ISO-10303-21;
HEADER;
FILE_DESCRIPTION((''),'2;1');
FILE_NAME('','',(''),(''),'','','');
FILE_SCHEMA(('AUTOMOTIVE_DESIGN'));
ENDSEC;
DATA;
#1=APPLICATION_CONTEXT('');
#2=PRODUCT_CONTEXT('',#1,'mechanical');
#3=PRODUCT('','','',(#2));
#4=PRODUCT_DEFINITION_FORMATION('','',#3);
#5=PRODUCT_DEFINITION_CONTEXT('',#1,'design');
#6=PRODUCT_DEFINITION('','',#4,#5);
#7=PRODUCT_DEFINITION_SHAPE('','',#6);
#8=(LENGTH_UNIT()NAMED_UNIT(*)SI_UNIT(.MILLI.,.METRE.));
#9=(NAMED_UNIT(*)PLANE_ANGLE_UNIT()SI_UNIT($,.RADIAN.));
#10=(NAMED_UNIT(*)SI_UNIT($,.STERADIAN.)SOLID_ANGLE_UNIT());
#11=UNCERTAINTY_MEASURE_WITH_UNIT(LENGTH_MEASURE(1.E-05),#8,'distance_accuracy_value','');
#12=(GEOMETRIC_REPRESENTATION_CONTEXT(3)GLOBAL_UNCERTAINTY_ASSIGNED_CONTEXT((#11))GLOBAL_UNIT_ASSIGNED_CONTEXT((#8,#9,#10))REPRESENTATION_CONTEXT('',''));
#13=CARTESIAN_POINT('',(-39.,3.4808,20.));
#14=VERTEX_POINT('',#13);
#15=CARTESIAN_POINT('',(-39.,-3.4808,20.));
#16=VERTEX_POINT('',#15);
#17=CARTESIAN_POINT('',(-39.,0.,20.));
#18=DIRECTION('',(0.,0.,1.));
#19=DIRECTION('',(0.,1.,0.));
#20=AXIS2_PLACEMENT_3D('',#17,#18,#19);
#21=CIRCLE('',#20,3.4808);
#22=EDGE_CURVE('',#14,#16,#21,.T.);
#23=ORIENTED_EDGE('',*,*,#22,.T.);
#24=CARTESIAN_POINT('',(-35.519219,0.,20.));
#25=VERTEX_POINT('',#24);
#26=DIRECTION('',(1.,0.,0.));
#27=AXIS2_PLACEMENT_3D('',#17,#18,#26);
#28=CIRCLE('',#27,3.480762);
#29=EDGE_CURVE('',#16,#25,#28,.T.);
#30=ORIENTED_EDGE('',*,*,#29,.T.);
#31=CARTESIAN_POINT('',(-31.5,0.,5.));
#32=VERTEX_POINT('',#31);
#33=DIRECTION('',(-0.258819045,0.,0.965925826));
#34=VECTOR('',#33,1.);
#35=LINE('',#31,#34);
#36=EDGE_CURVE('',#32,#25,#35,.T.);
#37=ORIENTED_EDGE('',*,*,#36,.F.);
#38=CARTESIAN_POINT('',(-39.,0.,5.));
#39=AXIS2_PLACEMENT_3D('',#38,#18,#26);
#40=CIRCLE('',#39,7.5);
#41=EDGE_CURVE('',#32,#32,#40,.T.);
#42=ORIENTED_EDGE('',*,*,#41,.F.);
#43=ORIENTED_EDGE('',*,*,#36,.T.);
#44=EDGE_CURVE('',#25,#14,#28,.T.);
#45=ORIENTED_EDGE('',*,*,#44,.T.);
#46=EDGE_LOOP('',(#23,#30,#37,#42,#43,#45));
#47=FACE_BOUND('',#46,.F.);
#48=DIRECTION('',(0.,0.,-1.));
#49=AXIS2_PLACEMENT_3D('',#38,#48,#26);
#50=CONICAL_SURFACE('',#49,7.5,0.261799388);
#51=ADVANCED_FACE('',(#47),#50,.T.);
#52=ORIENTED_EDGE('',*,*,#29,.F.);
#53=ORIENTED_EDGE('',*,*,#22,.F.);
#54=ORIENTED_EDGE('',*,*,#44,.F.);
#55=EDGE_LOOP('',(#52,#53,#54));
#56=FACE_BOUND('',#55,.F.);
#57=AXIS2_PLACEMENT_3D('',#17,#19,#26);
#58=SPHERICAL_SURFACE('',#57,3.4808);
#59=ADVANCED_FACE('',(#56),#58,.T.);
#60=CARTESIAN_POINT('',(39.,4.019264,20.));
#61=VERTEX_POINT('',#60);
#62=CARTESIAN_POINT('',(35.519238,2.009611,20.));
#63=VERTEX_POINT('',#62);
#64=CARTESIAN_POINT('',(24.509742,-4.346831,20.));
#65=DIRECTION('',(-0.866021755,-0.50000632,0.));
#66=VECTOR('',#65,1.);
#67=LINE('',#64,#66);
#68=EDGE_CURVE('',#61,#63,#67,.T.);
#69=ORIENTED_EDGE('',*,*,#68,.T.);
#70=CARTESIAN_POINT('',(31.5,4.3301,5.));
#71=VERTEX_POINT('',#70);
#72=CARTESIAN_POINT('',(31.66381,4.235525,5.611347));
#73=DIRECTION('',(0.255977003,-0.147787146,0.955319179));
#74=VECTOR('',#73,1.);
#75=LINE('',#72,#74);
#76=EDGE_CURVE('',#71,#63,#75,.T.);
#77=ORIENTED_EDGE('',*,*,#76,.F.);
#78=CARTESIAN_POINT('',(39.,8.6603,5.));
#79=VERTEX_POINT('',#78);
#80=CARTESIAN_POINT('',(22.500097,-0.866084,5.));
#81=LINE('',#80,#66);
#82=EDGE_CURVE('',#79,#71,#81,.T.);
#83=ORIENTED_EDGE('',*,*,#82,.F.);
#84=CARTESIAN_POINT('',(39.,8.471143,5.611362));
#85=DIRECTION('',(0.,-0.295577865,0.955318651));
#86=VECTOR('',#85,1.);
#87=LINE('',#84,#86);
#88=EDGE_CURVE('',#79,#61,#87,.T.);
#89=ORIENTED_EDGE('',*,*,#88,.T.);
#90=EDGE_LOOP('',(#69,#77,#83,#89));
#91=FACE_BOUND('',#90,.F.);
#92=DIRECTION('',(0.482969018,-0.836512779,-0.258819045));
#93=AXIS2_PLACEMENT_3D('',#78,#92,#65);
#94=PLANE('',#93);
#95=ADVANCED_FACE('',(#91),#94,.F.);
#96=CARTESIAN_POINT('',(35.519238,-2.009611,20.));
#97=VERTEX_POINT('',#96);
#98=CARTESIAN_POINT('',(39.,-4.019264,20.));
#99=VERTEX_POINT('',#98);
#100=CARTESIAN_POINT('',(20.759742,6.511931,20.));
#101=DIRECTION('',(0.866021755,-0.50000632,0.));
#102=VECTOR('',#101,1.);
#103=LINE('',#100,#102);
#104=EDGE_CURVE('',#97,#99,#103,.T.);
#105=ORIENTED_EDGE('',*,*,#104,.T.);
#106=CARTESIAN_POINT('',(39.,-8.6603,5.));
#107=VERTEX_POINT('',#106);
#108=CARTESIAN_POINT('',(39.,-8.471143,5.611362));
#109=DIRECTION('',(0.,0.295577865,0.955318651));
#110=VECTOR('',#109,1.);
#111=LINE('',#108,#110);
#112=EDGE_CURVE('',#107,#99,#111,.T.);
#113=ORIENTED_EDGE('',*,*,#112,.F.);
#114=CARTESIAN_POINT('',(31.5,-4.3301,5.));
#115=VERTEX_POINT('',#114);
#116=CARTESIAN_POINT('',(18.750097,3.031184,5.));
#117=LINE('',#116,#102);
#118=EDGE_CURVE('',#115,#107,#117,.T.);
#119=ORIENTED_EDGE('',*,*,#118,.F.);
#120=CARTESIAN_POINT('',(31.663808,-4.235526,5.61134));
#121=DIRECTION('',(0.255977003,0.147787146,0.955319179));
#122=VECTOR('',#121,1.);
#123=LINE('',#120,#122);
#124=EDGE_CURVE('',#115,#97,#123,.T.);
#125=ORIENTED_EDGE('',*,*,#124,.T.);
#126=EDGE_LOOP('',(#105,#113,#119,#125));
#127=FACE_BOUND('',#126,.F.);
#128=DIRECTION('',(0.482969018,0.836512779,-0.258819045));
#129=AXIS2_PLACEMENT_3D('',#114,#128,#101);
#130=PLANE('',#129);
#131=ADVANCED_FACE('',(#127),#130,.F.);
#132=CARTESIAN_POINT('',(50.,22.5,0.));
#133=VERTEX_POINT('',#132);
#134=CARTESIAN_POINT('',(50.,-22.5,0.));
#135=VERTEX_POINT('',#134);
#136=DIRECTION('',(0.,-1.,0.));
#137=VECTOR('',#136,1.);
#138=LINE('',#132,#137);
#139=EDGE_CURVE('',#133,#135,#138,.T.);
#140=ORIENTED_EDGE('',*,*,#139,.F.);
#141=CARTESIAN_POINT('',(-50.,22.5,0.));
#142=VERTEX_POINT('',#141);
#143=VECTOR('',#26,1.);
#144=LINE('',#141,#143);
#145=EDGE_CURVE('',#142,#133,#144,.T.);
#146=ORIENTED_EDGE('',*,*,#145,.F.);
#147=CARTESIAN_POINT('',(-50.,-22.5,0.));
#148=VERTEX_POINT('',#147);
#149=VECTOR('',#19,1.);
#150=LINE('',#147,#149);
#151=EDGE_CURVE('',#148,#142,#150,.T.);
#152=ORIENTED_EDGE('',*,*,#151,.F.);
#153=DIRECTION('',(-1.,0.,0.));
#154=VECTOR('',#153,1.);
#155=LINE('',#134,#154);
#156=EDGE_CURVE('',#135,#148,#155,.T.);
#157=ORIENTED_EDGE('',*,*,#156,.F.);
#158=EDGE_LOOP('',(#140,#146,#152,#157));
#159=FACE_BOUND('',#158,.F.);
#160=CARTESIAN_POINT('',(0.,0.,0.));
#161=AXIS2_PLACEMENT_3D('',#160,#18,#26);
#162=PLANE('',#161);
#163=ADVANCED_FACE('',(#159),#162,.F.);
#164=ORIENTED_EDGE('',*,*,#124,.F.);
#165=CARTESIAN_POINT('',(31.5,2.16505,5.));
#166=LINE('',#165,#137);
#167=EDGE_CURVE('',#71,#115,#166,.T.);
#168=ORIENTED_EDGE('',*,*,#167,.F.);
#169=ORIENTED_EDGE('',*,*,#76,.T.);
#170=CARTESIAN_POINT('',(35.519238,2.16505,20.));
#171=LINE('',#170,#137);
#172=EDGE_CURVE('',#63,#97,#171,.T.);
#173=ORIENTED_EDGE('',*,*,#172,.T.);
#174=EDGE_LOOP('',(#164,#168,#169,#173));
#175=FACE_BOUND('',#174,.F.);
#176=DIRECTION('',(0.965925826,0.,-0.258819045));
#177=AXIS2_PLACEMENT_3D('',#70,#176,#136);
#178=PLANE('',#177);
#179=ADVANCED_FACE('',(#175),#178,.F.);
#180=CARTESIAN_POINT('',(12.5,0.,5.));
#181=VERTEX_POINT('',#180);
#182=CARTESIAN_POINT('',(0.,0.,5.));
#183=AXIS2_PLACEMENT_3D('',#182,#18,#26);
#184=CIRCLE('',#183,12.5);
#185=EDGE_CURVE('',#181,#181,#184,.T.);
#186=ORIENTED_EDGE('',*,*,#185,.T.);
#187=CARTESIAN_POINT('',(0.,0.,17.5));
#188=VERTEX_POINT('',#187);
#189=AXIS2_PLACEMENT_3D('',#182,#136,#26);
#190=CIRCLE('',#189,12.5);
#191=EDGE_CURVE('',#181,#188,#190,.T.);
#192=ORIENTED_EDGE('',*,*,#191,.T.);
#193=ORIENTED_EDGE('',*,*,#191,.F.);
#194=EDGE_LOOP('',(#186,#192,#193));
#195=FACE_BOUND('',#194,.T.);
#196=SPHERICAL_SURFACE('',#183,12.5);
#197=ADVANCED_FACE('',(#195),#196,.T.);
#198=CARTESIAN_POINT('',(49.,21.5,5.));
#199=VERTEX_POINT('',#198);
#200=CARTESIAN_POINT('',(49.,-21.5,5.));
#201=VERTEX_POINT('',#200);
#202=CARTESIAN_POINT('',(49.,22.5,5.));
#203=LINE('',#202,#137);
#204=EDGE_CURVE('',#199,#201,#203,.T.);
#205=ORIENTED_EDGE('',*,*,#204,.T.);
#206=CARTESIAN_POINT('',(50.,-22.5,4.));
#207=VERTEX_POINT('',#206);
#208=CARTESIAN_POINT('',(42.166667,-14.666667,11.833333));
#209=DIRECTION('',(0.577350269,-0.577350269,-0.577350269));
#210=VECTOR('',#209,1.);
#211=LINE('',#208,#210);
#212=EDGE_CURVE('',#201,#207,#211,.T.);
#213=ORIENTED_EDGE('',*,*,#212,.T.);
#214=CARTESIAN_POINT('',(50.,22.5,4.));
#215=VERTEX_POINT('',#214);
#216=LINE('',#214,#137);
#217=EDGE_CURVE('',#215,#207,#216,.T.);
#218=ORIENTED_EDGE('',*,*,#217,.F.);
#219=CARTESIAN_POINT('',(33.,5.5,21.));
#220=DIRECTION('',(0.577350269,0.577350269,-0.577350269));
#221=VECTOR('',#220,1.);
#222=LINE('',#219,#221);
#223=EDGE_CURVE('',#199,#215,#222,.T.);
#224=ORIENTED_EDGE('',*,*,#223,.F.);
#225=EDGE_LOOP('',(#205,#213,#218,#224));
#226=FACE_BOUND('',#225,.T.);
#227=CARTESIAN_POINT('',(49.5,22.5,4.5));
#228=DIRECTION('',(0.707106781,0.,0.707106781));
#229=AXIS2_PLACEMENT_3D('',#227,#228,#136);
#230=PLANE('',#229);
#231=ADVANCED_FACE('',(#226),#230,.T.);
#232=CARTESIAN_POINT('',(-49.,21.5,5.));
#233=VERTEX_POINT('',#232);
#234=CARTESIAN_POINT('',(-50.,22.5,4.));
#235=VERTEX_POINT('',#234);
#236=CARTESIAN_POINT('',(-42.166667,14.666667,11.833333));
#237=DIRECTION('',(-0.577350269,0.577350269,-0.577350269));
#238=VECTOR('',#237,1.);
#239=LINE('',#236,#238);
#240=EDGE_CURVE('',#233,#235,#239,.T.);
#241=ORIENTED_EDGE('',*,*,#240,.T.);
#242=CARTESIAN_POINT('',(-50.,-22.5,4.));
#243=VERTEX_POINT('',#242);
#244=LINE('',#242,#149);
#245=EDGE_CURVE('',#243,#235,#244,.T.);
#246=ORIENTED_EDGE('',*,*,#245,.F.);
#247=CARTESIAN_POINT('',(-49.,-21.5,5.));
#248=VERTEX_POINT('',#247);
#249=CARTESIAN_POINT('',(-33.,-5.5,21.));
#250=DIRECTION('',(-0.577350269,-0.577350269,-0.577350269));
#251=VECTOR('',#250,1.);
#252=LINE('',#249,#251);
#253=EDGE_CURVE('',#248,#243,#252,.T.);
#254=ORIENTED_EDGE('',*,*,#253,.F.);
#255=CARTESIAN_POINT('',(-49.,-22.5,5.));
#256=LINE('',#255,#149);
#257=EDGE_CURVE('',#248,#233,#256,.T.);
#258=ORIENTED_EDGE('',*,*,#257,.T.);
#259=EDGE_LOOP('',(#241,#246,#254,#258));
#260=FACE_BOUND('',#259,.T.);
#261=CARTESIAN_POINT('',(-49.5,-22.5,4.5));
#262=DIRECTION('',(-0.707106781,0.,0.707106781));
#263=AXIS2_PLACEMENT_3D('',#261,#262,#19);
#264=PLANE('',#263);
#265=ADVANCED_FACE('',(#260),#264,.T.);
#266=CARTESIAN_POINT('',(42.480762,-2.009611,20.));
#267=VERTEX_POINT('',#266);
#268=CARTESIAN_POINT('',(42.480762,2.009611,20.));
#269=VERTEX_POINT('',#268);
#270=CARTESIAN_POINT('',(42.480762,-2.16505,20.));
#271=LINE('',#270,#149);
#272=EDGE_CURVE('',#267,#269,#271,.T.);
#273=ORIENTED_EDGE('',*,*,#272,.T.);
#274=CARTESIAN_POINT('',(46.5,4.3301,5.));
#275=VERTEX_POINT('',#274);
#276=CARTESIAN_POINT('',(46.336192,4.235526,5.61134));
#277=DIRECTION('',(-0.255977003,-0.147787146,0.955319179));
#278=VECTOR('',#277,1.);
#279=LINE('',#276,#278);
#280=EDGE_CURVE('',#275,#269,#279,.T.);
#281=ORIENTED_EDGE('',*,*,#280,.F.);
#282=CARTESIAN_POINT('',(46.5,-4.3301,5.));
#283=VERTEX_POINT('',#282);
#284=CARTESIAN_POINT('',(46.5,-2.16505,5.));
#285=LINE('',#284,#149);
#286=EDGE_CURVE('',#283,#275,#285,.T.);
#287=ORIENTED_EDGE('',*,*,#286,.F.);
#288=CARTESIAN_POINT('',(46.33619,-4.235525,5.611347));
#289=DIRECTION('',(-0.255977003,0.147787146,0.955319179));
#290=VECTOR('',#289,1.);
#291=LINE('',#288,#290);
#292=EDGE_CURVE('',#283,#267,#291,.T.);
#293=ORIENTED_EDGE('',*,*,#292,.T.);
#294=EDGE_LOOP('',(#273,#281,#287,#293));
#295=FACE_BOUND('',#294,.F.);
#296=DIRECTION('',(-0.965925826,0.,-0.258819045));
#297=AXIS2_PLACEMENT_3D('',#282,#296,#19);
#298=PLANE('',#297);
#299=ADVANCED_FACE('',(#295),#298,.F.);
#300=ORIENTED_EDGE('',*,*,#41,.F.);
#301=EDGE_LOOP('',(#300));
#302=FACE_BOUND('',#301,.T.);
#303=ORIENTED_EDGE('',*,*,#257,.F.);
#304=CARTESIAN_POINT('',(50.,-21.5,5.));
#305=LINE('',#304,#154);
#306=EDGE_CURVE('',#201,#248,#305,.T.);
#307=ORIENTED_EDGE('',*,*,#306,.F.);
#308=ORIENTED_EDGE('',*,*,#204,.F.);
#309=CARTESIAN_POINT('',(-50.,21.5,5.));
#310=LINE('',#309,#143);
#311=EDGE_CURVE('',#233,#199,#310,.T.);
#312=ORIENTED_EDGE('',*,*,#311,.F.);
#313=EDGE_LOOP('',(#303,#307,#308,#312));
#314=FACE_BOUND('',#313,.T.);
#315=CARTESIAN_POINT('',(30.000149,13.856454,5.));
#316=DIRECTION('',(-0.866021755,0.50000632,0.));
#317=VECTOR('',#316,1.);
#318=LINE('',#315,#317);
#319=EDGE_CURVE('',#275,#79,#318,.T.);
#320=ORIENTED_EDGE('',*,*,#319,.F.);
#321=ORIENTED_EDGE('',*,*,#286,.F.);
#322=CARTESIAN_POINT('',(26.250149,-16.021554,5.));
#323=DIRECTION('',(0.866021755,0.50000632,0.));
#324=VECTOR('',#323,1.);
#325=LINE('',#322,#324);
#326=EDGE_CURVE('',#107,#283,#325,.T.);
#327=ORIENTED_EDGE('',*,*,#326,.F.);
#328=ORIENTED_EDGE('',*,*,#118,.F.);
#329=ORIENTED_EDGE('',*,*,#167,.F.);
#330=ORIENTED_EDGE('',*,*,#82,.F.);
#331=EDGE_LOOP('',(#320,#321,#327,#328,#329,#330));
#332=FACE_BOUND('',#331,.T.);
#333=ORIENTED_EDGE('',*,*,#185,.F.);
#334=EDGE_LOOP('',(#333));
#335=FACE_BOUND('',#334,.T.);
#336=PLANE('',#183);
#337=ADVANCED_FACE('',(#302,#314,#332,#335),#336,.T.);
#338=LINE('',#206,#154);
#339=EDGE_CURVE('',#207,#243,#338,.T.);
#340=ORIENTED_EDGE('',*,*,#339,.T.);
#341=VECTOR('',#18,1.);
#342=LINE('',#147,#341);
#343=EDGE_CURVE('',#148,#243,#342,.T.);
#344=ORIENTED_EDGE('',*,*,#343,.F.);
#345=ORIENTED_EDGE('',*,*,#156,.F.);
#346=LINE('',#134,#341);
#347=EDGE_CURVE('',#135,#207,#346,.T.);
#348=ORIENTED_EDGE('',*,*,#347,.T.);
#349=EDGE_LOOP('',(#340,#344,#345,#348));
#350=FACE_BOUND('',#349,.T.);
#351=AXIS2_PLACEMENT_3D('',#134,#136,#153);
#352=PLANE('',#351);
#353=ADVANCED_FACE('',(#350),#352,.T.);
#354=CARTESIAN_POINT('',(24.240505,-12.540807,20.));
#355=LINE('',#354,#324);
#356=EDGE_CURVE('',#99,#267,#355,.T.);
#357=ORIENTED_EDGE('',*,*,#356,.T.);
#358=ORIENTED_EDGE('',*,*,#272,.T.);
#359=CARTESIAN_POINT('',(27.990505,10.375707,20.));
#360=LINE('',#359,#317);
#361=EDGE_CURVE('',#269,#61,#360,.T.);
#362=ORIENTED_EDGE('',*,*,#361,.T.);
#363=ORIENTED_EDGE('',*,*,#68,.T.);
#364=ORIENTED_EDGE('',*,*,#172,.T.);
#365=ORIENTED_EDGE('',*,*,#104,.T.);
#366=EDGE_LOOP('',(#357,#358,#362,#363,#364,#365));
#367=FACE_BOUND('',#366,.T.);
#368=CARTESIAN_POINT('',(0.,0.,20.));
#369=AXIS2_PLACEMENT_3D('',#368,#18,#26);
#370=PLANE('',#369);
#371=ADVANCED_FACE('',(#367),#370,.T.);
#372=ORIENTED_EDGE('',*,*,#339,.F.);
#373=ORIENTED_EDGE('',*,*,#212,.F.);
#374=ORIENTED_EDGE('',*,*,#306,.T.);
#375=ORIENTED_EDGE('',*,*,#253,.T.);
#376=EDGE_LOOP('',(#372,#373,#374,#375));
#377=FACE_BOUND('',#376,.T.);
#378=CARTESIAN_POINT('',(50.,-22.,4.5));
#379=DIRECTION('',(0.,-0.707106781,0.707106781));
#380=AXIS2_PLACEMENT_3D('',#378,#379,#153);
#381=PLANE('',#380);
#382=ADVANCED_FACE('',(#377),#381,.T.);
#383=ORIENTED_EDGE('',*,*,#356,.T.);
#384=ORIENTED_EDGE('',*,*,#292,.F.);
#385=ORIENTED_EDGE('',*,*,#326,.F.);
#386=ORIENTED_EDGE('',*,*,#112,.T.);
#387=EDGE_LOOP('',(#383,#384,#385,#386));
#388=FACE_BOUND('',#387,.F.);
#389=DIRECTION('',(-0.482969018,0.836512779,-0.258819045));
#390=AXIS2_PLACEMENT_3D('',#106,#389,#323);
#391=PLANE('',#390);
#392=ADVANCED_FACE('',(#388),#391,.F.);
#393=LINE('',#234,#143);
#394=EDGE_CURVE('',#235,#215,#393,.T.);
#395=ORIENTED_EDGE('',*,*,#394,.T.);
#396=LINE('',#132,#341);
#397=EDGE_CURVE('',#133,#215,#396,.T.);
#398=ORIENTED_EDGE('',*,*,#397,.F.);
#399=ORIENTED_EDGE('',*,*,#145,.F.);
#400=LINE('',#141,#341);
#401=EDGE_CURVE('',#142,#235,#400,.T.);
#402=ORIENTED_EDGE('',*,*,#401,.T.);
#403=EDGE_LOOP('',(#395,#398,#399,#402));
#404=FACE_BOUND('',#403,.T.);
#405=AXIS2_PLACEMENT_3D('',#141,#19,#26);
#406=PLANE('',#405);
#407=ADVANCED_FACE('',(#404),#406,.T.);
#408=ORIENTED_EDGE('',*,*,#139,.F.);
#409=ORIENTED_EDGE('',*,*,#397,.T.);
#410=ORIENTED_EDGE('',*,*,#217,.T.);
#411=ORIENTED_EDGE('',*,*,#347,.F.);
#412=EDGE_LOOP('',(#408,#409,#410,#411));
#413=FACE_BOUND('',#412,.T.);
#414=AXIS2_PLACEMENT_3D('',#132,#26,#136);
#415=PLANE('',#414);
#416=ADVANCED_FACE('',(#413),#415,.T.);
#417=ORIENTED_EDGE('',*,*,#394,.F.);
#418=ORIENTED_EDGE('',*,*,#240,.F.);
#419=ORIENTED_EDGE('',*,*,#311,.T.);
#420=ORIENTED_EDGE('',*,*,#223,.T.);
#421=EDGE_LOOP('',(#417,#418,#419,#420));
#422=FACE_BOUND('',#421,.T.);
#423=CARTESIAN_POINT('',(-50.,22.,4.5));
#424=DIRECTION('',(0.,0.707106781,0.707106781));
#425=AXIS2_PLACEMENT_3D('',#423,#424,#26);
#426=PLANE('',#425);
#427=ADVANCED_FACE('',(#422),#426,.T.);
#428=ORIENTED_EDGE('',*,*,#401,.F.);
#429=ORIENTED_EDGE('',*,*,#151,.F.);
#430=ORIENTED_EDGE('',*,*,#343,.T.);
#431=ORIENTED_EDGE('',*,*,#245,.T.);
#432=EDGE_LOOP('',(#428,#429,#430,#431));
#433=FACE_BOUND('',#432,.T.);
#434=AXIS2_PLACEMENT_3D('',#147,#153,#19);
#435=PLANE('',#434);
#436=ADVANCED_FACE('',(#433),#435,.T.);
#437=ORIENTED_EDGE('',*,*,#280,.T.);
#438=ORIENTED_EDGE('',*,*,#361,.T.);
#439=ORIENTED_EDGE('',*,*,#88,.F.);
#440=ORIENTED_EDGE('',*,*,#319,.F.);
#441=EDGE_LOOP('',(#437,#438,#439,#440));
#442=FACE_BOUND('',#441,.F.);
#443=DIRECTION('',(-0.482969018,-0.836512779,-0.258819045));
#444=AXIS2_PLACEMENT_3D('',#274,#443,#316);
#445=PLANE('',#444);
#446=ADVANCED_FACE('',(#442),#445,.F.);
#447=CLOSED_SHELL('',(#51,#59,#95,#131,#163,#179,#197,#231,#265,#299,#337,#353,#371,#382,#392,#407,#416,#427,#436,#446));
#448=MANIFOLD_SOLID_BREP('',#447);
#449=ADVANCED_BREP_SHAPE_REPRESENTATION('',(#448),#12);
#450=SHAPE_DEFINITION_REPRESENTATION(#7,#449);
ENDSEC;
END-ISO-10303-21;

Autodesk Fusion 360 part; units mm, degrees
sketch "Sketch1" plane through (0, 0, 0) normal (0, 0, 1) x (1, 0, 0)
  line L0 (-50, 22.5) -> (50, 22.5)
  line L1 (50, 22.5) -> (50, -22.5)
  line L2 (50, -22.5) -> (-50, -22.5)
  line L3 (-50, -22.5) -> (-50, 22.5)
  line L4 (-50, 22.5) -> (50, -22.5) construction
  dimension "d1" = 100
  dimension "d2" = 45
extrude "Extrude1" add sketch "Sketch1" along normal blind 5
sphere "SpherePrimitive1" add diameter 25 placed x (1, 0, 0) y (0, 1, 0) z (0, 0, 1) at (0, 0, 5)
box "BoxPrimitive1" cut length 45 width 100 height 15 placed x (0, 1, 0) y (1, 0, 0) z (0, 0, -1) at (-50, -22.5, 0)
sketch "Sketch5" plane through (0, 0, 5) normal (0, 0, 1) x (1, 0, 0)
  circle A0 centre (0, 0) radius 12.5
  line L0 (-50, -22.5) -> (50, -22.5)
  line L1 (50, -22.5) -> (50, 22.5)
  line L2 (50, 22.5) -> (-50, 22.5)
  line L3 (-50, 22.5) -> (-50, -22.5)
  line L4 (39, -8.6603) -> (46.5, -4.3301)
  line L5 (46.5, -4.3301) -> (46.5, 4.3301)
  line L6 (46.5, 4.3301) -> (39, 8.6603)
  line L7 (39, 8.6603) -> (31.5, 4.3301)
  line L8 (31.5, 4.3301) -> (31.5, -4.3301)
  line L9 (31.5, -4.3301) -> (39, -8.6603)
  line L10 (12.5, 0) -> (31.5, 0) construction
  line L11 (0, 0) -> (50, 0) construction
  line L12 (-12.5, 0) -> (-31.5, 0) construction
  circle A1 centre (-39, 0) radius 7.5
  point P0 (39, 0)
  dimension "d16" = 19
  dimension "d17" = 15
  dimension "d18" = 19
  dimension "d19" = 15
extrude "Extrude3" add sketch "Sketch5" along normal blind 15 draft -15 contours L4 L5 L6 L7 L8 L9 | A1
sketch "Sketch9" plane through (0, 0, 20) normal (0, 0, 1) x (1, 0, 0)
  circle A0 centre (-39, 0) radius 3.4808
  line L0 (-39, 3.4808) -> (-39, -3.4808)
  point P0 (-39, 0)
revolve "Revolve1" add sketch "Sketch9" angle 180 about axis through (-39, 3.4808, 20) along (0, -1, 0) contours A0 L0 picked at (-38.2402, 0.8769)
chamfer "Chamfer1" distance 1 angle 45 4 edges at (0, -22.5, 5) (50, 0, 5) (0, 22.5, 5) (-50, 0, 5)
